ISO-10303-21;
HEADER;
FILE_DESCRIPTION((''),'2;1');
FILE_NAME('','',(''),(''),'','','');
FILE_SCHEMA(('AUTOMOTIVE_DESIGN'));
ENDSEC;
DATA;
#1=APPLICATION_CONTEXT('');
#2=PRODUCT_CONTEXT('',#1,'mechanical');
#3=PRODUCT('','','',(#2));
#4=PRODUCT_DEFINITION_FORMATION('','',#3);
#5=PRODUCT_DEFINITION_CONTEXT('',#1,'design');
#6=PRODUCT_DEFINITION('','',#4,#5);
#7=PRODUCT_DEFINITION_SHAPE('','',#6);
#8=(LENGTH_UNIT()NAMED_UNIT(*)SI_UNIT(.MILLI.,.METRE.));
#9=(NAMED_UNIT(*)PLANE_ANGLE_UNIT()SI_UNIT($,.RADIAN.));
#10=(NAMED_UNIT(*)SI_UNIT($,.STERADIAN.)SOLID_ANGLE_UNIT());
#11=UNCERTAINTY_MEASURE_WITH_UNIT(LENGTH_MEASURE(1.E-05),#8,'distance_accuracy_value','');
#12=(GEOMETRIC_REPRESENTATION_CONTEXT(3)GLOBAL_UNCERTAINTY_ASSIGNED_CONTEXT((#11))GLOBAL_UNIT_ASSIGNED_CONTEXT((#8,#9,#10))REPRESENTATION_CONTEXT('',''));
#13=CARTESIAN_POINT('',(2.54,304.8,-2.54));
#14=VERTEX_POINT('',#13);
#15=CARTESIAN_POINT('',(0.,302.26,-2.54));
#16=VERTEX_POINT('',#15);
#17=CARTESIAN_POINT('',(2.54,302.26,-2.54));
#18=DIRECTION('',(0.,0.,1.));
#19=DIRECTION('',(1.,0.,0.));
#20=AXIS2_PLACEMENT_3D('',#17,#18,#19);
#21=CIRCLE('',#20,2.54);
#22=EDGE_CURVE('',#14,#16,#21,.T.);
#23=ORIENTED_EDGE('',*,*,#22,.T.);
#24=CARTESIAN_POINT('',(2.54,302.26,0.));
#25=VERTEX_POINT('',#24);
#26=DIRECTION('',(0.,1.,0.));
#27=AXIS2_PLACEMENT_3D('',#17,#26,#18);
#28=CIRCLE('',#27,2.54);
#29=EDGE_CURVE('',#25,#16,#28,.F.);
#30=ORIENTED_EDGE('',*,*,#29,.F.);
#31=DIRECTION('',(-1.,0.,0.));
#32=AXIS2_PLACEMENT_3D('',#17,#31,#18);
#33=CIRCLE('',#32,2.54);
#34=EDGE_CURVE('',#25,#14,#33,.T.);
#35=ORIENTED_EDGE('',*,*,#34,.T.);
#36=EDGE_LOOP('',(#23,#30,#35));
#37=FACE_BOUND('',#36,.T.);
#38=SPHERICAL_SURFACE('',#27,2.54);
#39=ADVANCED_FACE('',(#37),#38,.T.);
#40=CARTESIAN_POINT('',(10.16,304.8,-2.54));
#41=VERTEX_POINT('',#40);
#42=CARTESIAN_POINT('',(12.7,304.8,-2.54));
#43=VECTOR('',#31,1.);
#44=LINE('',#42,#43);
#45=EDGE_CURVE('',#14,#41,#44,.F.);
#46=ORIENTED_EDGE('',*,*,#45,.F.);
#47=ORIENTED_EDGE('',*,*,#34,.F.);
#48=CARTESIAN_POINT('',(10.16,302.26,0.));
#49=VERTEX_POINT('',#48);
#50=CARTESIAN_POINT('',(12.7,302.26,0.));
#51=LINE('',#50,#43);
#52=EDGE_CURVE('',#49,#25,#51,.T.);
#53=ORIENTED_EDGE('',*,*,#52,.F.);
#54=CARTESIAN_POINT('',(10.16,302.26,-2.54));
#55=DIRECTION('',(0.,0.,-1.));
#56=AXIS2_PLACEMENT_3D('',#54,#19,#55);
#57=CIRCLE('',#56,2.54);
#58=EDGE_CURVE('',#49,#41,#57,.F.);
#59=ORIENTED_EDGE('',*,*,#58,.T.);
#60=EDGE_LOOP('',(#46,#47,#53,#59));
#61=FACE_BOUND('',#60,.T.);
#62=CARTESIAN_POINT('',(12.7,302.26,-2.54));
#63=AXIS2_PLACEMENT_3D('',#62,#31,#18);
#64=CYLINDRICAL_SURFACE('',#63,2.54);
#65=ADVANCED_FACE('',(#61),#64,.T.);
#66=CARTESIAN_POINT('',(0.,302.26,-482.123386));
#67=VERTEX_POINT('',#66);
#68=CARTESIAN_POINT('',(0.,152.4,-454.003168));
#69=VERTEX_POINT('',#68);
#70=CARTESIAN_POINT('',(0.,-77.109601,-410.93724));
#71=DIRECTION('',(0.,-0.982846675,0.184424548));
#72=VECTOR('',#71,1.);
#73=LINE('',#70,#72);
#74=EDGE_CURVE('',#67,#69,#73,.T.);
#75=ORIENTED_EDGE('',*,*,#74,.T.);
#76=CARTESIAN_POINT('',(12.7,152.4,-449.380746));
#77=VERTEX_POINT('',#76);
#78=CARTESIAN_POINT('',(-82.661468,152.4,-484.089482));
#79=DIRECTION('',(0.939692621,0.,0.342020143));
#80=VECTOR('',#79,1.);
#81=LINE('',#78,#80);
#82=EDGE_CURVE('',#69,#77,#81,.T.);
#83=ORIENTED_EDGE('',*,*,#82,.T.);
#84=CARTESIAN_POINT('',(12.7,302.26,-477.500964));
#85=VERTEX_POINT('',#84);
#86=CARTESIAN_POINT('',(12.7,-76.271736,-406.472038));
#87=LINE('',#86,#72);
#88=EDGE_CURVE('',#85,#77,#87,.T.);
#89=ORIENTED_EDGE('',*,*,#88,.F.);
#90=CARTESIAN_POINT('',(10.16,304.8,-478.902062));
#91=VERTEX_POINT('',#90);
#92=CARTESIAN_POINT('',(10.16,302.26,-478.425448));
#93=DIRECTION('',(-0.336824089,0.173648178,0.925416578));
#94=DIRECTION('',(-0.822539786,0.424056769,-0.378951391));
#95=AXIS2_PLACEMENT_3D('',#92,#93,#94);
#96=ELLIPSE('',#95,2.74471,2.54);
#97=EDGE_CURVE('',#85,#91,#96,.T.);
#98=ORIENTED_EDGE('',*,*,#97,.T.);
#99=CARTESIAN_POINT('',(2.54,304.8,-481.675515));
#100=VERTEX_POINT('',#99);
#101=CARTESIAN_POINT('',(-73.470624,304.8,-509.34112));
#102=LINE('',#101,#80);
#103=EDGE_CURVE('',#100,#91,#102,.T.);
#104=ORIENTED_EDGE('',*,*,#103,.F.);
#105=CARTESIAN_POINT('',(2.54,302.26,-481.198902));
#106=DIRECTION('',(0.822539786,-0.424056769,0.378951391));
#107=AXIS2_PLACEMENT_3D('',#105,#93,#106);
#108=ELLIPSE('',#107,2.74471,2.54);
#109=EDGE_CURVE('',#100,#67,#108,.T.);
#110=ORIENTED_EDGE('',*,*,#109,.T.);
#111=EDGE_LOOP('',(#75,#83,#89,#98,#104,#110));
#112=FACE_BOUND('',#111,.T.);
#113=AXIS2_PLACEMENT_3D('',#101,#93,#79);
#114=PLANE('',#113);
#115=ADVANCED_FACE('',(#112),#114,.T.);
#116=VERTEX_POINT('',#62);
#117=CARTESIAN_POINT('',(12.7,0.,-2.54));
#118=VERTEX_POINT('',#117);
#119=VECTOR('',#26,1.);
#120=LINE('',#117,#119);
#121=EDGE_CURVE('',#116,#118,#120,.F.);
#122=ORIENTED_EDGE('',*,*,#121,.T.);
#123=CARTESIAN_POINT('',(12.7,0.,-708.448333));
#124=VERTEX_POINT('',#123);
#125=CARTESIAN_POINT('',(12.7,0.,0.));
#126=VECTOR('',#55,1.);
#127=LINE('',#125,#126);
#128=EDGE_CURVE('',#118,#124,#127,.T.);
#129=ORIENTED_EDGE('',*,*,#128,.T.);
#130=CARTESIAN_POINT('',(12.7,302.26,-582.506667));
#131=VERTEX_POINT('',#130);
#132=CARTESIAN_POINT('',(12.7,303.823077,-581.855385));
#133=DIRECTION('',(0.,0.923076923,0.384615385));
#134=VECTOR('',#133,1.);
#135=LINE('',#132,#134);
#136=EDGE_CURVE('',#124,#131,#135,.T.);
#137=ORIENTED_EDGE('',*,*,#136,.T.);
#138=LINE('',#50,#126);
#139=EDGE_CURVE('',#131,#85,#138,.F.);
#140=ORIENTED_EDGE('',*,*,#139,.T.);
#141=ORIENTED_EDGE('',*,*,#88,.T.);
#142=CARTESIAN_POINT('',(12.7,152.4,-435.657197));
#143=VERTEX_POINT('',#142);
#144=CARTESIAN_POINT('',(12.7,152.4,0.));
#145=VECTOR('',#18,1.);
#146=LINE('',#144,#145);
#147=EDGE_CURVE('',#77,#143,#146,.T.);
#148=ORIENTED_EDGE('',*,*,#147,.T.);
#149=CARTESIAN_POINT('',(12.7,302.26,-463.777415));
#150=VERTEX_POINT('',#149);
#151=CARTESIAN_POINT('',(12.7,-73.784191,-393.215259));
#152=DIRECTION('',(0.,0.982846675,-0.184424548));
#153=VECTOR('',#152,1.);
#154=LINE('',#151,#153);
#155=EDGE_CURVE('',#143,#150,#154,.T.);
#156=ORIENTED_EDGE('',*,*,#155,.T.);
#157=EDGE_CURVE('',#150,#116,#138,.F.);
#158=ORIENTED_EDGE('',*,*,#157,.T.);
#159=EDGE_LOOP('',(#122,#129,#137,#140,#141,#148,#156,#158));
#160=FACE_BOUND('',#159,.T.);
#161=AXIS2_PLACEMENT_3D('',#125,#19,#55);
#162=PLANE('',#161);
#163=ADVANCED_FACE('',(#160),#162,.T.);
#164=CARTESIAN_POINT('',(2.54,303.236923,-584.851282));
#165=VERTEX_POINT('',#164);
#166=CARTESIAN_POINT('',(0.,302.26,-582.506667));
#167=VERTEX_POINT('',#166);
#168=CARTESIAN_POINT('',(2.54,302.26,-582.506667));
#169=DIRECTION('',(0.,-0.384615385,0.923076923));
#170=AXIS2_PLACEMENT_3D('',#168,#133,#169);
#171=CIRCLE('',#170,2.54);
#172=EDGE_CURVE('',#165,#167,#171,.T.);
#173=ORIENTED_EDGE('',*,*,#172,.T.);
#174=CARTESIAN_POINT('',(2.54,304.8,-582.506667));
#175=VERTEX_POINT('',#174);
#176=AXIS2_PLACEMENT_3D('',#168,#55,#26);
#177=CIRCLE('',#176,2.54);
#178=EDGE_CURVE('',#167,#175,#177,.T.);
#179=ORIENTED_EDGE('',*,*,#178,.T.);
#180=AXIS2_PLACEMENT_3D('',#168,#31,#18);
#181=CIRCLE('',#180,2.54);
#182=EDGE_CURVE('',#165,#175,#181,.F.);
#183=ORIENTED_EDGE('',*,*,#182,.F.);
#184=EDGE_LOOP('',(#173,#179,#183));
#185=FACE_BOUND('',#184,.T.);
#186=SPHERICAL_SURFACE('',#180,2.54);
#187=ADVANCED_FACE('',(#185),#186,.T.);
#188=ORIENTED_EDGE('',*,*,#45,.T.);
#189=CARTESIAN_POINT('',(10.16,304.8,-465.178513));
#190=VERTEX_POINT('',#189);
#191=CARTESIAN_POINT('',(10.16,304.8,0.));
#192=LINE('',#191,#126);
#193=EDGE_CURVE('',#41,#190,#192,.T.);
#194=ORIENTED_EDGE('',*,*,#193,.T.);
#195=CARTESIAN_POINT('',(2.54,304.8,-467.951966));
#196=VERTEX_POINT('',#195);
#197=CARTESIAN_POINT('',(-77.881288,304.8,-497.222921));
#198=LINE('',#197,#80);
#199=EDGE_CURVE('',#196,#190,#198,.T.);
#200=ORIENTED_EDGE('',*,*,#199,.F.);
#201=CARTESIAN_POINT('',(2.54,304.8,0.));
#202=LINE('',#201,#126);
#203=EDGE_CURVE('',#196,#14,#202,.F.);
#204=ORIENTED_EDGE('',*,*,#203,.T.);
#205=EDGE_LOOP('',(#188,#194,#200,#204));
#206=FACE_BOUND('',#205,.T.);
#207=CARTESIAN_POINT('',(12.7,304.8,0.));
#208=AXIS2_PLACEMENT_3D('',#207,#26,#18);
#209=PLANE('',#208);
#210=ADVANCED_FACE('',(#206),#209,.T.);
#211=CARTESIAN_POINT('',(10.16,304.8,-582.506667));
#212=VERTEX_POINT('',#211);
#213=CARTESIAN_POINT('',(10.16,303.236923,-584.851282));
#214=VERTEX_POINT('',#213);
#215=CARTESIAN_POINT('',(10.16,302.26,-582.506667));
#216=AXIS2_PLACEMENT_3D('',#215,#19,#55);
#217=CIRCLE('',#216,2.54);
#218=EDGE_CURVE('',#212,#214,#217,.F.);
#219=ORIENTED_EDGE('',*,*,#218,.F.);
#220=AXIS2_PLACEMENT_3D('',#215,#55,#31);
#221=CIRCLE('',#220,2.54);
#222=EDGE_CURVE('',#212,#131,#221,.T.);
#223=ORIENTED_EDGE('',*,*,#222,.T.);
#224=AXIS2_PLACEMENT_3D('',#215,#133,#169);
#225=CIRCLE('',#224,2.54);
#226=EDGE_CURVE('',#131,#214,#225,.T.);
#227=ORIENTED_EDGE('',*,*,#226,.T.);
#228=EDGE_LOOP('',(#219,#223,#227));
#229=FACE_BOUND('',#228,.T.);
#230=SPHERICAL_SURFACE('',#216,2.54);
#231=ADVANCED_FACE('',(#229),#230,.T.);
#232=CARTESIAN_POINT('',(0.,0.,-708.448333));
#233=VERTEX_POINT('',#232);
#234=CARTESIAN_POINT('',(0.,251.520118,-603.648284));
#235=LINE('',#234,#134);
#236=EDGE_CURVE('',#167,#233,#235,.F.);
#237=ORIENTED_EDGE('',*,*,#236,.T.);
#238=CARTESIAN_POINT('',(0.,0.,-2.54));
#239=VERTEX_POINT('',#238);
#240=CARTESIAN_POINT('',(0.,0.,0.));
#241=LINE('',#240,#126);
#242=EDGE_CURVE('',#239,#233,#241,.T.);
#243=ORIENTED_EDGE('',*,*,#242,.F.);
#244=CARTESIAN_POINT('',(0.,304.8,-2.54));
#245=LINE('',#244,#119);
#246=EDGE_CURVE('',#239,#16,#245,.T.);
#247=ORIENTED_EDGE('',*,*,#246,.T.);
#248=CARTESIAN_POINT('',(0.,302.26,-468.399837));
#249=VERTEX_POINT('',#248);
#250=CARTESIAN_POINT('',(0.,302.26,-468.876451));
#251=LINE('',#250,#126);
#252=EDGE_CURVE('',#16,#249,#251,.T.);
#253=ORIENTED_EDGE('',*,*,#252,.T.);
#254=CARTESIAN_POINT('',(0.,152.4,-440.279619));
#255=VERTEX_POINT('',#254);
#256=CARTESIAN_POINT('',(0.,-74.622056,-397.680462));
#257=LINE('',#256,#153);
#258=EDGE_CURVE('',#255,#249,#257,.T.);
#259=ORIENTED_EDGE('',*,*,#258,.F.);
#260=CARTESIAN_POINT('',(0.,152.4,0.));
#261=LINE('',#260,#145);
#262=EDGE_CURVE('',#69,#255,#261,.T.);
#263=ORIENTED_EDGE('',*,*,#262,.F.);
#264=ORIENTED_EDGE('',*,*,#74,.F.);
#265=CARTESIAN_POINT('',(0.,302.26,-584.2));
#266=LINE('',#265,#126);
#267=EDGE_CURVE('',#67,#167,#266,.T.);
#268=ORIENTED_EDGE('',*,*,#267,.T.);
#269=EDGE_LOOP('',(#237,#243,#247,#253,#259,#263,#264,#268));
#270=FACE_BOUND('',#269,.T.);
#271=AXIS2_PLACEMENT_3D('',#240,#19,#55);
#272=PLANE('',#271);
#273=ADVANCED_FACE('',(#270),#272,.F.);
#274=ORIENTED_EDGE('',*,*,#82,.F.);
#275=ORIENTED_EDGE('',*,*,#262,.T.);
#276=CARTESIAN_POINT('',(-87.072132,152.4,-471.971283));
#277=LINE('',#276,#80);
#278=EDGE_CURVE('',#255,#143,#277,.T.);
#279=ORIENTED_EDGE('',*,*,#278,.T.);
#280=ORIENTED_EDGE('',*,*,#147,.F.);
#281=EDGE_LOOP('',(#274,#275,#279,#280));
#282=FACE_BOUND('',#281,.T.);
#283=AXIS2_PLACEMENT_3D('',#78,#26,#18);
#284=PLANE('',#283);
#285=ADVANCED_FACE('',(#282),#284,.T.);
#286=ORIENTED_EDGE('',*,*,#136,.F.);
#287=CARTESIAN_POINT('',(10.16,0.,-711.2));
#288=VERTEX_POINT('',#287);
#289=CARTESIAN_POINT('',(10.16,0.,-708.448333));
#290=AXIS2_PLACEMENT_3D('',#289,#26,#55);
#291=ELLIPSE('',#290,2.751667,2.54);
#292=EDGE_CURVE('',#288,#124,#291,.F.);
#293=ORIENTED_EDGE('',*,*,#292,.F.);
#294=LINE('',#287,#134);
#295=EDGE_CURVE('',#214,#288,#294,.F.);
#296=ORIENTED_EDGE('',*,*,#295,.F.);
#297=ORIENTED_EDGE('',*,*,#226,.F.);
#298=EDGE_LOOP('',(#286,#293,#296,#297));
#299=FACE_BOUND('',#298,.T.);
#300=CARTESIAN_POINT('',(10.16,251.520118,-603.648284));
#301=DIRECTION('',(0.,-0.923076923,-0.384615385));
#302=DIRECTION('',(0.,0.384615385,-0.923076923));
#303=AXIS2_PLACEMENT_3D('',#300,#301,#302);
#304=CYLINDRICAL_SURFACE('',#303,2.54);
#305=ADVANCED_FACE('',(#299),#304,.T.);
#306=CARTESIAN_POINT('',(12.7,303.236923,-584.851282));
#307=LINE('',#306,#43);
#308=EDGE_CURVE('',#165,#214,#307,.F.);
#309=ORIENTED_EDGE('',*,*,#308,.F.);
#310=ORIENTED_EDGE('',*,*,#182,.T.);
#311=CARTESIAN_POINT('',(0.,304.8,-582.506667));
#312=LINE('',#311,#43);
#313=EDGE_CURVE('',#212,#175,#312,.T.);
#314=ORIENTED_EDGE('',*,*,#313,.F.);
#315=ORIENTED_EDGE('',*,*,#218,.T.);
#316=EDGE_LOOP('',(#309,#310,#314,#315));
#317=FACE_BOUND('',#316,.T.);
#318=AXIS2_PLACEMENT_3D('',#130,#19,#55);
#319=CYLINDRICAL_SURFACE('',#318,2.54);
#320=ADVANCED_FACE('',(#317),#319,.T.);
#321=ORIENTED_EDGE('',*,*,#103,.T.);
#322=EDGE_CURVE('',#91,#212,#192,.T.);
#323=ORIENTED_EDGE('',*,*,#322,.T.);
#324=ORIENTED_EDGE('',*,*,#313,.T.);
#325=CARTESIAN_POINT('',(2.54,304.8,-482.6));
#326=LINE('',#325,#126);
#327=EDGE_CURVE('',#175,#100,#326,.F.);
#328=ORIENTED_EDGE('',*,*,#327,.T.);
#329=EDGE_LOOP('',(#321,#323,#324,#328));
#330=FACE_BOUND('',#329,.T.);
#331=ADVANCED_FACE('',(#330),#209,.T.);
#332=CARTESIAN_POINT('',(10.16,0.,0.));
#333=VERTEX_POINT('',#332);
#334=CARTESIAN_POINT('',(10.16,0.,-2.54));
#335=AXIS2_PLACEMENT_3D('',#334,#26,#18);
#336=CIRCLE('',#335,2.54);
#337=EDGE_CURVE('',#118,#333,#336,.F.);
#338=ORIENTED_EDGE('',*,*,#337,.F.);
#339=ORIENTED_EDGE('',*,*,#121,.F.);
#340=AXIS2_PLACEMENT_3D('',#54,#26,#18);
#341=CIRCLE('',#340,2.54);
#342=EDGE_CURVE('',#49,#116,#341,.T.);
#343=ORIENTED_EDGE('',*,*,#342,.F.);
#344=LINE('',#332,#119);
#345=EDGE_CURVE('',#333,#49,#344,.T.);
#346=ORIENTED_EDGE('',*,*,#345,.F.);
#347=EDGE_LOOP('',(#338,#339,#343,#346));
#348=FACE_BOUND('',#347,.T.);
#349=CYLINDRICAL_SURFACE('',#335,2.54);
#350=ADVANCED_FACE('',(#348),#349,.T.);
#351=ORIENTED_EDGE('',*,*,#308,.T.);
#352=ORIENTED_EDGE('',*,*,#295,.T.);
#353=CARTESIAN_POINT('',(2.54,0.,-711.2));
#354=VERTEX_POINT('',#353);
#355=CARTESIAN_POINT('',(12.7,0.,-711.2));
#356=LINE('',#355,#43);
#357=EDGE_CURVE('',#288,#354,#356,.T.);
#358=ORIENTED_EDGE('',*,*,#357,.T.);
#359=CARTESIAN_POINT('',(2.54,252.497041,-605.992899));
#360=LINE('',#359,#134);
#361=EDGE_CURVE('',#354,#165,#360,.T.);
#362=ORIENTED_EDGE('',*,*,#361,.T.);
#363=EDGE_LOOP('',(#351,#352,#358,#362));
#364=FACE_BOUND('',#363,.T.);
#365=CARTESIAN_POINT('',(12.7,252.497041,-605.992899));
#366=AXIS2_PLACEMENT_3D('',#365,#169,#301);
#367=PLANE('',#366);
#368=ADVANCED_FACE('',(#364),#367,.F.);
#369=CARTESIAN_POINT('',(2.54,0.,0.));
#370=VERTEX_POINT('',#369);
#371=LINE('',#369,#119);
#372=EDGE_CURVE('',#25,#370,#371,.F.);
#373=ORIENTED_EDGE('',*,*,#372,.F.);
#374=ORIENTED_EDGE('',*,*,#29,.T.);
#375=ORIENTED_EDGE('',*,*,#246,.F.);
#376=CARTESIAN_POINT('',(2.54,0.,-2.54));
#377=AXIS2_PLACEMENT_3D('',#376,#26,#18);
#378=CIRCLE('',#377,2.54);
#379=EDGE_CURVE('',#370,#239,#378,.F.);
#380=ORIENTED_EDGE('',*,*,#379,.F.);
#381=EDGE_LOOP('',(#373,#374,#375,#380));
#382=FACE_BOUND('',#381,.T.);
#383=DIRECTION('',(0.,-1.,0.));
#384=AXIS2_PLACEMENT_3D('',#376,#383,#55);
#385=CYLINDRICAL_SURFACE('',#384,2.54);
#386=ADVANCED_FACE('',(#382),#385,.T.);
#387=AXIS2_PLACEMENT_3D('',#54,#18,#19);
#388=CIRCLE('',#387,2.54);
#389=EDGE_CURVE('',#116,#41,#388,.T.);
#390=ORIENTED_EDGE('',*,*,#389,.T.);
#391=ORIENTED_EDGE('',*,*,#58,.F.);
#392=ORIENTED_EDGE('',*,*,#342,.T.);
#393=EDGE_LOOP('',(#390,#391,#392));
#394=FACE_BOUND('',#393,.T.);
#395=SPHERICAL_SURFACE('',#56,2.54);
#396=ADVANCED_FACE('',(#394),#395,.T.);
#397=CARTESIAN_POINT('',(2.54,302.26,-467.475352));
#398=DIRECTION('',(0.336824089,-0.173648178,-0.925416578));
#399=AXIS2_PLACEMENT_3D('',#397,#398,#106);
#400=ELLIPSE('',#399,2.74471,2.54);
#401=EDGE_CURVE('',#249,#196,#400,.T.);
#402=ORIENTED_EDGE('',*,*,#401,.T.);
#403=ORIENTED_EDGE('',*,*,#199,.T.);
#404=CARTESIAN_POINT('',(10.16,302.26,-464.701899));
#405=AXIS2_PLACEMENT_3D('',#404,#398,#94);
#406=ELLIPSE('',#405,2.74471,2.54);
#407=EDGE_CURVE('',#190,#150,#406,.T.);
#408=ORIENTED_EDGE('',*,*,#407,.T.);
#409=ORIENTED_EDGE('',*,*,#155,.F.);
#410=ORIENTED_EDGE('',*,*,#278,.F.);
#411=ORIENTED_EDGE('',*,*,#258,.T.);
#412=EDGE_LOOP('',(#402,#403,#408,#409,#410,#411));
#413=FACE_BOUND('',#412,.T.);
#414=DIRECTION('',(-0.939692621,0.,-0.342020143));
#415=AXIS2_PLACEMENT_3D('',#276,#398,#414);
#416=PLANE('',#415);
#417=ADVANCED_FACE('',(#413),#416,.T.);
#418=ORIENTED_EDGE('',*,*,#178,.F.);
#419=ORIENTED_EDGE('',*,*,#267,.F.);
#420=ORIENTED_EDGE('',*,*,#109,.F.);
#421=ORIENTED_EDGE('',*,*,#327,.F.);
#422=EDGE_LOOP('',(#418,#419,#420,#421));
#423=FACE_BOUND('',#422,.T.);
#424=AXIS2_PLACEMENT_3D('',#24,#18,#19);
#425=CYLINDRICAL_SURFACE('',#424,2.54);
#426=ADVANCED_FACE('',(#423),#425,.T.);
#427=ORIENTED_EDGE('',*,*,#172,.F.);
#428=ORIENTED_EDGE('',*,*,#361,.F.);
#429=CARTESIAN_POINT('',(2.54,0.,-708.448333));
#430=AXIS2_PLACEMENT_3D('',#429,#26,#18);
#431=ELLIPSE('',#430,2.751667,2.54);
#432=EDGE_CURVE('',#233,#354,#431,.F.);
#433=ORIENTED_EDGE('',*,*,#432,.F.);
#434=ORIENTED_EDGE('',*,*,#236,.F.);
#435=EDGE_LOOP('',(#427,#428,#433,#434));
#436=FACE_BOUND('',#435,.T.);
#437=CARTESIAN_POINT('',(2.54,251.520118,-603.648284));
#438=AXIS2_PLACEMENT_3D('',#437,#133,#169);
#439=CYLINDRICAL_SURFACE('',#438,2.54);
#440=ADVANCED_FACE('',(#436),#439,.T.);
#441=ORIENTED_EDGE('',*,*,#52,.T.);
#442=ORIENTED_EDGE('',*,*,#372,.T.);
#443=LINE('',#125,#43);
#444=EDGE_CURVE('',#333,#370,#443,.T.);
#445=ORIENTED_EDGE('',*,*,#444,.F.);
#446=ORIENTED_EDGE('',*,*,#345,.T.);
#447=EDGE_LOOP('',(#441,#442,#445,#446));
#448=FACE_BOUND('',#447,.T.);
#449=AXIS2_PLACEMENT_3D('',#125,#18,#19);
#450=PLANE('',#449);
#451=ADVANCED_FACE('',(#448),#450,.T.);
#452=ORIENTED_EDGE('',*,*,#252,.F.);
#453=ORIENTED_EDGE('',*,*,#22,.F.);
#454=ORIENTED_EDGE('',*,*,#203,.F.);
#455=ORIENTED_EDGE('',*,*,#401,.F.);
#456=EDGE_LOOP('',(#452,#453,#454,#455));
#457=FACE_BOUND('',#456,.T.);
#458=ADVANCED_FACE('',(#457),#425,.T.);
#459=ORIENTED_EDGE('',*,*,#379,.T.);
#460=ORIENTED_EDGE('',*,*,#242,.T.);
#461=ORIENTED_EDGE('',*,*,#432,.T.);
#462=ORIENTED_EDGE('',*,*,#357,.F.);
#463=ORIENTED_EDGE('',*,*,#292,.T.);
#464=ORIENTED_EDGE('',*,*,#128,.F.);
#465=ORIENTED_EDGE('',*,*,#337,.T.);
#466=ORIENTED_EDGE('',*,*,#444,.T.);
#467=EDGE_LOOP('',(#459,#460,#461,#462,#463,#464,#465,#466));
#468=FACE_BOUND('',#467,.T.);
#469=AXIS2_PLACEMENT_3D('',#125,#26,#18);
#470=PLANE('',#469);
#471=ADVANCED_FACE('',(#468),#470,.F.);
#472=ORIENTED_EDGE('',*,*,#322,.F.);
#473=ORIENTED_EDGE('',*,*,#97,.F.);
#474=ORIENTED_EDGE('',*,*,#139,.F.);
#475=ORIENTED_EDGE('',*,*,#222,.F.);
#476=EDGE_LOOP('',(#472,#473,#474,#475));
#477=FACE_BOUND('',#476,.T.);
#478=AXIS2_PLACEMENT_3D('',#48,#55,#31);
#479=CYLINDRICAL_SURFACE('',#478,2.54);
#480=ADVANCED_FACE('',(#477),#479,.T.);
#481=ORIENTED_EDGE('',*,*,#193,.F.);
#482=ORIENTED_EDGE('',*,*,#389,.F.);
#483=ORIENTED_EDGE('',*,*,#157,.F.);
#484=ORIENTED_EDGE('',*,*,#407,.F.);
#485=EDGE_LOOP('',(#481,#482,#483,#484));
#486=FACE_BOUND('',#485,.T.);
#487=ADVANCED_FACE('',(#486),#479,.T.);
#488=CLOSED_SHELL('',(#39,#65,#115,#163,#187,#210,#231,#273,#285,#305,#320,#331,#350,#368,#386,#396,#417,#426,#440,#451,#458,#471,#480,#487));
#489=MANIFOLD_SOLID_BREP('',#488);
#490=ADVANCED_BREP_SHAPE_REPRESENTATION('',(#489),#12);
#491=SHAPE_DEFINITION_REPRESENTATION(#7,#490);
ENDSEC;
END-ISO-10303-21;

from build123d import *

# Parameters (mm, degrees)
BOSS_EXTRUDE2_DEPTH = 12.7
CUT_EXTRUDE1_DEPTH  = 778.596755789
FILLET1_R           = 2.54


with BuildPart() as part:
    # Sketch1 → Boss-Extrude2 (new body)
    with BuildSketch(Plane(origin=(0, 0, 0), x_dir=(0, 0, -1), z_dir=(1, 0, 0))):
        Polygon((584.2, 304.8), (0, 304.8), (0, 0), (711.2, 0), align=None)
    extrude(amount=BOSS_EXTRUDE2_DEPTH)

    # Sketch3 → Cut-Extrude1 (cut, through all)
    with BuildSketch(Plane(origin=(11.214382214, 0, 4.081701322), x_dir=(0, 1, 0), z_dir=(0.9396926207859083, 0, 0.34202014332566943))):
        Polygon((304.8, -453.495658666), (152.4, -426.623426806), (152.4, -413.727508835), (304.8, -440.599740695), align=None)
    extrude(amount=-CUT_EXTRUDE1_DEPTH, mode=Mode.SUBTRACT)

    # Fillet1
    fillet1_edges = [part.edges().sort_by_distance(p)[0] for p in [
        (0, 304.8, -234.438225303),
        (0, 152.4, -647.7),
        (0, 152.4, 0),
        (12.7, 304.8, -232.127014316),
        (6.35, 304.8, -584.2),
        (6.35, 304.8, 0),
        (12.7, 152.4, 0),
        (12.7, 152.4, -647.7),
        (12.7, 304.8, -531.088788946),
        (0, 304.8, -533.399999933),
    ]]
    fillet(fillet1_edges, radius=FILLET1_R)


solid = part.part
